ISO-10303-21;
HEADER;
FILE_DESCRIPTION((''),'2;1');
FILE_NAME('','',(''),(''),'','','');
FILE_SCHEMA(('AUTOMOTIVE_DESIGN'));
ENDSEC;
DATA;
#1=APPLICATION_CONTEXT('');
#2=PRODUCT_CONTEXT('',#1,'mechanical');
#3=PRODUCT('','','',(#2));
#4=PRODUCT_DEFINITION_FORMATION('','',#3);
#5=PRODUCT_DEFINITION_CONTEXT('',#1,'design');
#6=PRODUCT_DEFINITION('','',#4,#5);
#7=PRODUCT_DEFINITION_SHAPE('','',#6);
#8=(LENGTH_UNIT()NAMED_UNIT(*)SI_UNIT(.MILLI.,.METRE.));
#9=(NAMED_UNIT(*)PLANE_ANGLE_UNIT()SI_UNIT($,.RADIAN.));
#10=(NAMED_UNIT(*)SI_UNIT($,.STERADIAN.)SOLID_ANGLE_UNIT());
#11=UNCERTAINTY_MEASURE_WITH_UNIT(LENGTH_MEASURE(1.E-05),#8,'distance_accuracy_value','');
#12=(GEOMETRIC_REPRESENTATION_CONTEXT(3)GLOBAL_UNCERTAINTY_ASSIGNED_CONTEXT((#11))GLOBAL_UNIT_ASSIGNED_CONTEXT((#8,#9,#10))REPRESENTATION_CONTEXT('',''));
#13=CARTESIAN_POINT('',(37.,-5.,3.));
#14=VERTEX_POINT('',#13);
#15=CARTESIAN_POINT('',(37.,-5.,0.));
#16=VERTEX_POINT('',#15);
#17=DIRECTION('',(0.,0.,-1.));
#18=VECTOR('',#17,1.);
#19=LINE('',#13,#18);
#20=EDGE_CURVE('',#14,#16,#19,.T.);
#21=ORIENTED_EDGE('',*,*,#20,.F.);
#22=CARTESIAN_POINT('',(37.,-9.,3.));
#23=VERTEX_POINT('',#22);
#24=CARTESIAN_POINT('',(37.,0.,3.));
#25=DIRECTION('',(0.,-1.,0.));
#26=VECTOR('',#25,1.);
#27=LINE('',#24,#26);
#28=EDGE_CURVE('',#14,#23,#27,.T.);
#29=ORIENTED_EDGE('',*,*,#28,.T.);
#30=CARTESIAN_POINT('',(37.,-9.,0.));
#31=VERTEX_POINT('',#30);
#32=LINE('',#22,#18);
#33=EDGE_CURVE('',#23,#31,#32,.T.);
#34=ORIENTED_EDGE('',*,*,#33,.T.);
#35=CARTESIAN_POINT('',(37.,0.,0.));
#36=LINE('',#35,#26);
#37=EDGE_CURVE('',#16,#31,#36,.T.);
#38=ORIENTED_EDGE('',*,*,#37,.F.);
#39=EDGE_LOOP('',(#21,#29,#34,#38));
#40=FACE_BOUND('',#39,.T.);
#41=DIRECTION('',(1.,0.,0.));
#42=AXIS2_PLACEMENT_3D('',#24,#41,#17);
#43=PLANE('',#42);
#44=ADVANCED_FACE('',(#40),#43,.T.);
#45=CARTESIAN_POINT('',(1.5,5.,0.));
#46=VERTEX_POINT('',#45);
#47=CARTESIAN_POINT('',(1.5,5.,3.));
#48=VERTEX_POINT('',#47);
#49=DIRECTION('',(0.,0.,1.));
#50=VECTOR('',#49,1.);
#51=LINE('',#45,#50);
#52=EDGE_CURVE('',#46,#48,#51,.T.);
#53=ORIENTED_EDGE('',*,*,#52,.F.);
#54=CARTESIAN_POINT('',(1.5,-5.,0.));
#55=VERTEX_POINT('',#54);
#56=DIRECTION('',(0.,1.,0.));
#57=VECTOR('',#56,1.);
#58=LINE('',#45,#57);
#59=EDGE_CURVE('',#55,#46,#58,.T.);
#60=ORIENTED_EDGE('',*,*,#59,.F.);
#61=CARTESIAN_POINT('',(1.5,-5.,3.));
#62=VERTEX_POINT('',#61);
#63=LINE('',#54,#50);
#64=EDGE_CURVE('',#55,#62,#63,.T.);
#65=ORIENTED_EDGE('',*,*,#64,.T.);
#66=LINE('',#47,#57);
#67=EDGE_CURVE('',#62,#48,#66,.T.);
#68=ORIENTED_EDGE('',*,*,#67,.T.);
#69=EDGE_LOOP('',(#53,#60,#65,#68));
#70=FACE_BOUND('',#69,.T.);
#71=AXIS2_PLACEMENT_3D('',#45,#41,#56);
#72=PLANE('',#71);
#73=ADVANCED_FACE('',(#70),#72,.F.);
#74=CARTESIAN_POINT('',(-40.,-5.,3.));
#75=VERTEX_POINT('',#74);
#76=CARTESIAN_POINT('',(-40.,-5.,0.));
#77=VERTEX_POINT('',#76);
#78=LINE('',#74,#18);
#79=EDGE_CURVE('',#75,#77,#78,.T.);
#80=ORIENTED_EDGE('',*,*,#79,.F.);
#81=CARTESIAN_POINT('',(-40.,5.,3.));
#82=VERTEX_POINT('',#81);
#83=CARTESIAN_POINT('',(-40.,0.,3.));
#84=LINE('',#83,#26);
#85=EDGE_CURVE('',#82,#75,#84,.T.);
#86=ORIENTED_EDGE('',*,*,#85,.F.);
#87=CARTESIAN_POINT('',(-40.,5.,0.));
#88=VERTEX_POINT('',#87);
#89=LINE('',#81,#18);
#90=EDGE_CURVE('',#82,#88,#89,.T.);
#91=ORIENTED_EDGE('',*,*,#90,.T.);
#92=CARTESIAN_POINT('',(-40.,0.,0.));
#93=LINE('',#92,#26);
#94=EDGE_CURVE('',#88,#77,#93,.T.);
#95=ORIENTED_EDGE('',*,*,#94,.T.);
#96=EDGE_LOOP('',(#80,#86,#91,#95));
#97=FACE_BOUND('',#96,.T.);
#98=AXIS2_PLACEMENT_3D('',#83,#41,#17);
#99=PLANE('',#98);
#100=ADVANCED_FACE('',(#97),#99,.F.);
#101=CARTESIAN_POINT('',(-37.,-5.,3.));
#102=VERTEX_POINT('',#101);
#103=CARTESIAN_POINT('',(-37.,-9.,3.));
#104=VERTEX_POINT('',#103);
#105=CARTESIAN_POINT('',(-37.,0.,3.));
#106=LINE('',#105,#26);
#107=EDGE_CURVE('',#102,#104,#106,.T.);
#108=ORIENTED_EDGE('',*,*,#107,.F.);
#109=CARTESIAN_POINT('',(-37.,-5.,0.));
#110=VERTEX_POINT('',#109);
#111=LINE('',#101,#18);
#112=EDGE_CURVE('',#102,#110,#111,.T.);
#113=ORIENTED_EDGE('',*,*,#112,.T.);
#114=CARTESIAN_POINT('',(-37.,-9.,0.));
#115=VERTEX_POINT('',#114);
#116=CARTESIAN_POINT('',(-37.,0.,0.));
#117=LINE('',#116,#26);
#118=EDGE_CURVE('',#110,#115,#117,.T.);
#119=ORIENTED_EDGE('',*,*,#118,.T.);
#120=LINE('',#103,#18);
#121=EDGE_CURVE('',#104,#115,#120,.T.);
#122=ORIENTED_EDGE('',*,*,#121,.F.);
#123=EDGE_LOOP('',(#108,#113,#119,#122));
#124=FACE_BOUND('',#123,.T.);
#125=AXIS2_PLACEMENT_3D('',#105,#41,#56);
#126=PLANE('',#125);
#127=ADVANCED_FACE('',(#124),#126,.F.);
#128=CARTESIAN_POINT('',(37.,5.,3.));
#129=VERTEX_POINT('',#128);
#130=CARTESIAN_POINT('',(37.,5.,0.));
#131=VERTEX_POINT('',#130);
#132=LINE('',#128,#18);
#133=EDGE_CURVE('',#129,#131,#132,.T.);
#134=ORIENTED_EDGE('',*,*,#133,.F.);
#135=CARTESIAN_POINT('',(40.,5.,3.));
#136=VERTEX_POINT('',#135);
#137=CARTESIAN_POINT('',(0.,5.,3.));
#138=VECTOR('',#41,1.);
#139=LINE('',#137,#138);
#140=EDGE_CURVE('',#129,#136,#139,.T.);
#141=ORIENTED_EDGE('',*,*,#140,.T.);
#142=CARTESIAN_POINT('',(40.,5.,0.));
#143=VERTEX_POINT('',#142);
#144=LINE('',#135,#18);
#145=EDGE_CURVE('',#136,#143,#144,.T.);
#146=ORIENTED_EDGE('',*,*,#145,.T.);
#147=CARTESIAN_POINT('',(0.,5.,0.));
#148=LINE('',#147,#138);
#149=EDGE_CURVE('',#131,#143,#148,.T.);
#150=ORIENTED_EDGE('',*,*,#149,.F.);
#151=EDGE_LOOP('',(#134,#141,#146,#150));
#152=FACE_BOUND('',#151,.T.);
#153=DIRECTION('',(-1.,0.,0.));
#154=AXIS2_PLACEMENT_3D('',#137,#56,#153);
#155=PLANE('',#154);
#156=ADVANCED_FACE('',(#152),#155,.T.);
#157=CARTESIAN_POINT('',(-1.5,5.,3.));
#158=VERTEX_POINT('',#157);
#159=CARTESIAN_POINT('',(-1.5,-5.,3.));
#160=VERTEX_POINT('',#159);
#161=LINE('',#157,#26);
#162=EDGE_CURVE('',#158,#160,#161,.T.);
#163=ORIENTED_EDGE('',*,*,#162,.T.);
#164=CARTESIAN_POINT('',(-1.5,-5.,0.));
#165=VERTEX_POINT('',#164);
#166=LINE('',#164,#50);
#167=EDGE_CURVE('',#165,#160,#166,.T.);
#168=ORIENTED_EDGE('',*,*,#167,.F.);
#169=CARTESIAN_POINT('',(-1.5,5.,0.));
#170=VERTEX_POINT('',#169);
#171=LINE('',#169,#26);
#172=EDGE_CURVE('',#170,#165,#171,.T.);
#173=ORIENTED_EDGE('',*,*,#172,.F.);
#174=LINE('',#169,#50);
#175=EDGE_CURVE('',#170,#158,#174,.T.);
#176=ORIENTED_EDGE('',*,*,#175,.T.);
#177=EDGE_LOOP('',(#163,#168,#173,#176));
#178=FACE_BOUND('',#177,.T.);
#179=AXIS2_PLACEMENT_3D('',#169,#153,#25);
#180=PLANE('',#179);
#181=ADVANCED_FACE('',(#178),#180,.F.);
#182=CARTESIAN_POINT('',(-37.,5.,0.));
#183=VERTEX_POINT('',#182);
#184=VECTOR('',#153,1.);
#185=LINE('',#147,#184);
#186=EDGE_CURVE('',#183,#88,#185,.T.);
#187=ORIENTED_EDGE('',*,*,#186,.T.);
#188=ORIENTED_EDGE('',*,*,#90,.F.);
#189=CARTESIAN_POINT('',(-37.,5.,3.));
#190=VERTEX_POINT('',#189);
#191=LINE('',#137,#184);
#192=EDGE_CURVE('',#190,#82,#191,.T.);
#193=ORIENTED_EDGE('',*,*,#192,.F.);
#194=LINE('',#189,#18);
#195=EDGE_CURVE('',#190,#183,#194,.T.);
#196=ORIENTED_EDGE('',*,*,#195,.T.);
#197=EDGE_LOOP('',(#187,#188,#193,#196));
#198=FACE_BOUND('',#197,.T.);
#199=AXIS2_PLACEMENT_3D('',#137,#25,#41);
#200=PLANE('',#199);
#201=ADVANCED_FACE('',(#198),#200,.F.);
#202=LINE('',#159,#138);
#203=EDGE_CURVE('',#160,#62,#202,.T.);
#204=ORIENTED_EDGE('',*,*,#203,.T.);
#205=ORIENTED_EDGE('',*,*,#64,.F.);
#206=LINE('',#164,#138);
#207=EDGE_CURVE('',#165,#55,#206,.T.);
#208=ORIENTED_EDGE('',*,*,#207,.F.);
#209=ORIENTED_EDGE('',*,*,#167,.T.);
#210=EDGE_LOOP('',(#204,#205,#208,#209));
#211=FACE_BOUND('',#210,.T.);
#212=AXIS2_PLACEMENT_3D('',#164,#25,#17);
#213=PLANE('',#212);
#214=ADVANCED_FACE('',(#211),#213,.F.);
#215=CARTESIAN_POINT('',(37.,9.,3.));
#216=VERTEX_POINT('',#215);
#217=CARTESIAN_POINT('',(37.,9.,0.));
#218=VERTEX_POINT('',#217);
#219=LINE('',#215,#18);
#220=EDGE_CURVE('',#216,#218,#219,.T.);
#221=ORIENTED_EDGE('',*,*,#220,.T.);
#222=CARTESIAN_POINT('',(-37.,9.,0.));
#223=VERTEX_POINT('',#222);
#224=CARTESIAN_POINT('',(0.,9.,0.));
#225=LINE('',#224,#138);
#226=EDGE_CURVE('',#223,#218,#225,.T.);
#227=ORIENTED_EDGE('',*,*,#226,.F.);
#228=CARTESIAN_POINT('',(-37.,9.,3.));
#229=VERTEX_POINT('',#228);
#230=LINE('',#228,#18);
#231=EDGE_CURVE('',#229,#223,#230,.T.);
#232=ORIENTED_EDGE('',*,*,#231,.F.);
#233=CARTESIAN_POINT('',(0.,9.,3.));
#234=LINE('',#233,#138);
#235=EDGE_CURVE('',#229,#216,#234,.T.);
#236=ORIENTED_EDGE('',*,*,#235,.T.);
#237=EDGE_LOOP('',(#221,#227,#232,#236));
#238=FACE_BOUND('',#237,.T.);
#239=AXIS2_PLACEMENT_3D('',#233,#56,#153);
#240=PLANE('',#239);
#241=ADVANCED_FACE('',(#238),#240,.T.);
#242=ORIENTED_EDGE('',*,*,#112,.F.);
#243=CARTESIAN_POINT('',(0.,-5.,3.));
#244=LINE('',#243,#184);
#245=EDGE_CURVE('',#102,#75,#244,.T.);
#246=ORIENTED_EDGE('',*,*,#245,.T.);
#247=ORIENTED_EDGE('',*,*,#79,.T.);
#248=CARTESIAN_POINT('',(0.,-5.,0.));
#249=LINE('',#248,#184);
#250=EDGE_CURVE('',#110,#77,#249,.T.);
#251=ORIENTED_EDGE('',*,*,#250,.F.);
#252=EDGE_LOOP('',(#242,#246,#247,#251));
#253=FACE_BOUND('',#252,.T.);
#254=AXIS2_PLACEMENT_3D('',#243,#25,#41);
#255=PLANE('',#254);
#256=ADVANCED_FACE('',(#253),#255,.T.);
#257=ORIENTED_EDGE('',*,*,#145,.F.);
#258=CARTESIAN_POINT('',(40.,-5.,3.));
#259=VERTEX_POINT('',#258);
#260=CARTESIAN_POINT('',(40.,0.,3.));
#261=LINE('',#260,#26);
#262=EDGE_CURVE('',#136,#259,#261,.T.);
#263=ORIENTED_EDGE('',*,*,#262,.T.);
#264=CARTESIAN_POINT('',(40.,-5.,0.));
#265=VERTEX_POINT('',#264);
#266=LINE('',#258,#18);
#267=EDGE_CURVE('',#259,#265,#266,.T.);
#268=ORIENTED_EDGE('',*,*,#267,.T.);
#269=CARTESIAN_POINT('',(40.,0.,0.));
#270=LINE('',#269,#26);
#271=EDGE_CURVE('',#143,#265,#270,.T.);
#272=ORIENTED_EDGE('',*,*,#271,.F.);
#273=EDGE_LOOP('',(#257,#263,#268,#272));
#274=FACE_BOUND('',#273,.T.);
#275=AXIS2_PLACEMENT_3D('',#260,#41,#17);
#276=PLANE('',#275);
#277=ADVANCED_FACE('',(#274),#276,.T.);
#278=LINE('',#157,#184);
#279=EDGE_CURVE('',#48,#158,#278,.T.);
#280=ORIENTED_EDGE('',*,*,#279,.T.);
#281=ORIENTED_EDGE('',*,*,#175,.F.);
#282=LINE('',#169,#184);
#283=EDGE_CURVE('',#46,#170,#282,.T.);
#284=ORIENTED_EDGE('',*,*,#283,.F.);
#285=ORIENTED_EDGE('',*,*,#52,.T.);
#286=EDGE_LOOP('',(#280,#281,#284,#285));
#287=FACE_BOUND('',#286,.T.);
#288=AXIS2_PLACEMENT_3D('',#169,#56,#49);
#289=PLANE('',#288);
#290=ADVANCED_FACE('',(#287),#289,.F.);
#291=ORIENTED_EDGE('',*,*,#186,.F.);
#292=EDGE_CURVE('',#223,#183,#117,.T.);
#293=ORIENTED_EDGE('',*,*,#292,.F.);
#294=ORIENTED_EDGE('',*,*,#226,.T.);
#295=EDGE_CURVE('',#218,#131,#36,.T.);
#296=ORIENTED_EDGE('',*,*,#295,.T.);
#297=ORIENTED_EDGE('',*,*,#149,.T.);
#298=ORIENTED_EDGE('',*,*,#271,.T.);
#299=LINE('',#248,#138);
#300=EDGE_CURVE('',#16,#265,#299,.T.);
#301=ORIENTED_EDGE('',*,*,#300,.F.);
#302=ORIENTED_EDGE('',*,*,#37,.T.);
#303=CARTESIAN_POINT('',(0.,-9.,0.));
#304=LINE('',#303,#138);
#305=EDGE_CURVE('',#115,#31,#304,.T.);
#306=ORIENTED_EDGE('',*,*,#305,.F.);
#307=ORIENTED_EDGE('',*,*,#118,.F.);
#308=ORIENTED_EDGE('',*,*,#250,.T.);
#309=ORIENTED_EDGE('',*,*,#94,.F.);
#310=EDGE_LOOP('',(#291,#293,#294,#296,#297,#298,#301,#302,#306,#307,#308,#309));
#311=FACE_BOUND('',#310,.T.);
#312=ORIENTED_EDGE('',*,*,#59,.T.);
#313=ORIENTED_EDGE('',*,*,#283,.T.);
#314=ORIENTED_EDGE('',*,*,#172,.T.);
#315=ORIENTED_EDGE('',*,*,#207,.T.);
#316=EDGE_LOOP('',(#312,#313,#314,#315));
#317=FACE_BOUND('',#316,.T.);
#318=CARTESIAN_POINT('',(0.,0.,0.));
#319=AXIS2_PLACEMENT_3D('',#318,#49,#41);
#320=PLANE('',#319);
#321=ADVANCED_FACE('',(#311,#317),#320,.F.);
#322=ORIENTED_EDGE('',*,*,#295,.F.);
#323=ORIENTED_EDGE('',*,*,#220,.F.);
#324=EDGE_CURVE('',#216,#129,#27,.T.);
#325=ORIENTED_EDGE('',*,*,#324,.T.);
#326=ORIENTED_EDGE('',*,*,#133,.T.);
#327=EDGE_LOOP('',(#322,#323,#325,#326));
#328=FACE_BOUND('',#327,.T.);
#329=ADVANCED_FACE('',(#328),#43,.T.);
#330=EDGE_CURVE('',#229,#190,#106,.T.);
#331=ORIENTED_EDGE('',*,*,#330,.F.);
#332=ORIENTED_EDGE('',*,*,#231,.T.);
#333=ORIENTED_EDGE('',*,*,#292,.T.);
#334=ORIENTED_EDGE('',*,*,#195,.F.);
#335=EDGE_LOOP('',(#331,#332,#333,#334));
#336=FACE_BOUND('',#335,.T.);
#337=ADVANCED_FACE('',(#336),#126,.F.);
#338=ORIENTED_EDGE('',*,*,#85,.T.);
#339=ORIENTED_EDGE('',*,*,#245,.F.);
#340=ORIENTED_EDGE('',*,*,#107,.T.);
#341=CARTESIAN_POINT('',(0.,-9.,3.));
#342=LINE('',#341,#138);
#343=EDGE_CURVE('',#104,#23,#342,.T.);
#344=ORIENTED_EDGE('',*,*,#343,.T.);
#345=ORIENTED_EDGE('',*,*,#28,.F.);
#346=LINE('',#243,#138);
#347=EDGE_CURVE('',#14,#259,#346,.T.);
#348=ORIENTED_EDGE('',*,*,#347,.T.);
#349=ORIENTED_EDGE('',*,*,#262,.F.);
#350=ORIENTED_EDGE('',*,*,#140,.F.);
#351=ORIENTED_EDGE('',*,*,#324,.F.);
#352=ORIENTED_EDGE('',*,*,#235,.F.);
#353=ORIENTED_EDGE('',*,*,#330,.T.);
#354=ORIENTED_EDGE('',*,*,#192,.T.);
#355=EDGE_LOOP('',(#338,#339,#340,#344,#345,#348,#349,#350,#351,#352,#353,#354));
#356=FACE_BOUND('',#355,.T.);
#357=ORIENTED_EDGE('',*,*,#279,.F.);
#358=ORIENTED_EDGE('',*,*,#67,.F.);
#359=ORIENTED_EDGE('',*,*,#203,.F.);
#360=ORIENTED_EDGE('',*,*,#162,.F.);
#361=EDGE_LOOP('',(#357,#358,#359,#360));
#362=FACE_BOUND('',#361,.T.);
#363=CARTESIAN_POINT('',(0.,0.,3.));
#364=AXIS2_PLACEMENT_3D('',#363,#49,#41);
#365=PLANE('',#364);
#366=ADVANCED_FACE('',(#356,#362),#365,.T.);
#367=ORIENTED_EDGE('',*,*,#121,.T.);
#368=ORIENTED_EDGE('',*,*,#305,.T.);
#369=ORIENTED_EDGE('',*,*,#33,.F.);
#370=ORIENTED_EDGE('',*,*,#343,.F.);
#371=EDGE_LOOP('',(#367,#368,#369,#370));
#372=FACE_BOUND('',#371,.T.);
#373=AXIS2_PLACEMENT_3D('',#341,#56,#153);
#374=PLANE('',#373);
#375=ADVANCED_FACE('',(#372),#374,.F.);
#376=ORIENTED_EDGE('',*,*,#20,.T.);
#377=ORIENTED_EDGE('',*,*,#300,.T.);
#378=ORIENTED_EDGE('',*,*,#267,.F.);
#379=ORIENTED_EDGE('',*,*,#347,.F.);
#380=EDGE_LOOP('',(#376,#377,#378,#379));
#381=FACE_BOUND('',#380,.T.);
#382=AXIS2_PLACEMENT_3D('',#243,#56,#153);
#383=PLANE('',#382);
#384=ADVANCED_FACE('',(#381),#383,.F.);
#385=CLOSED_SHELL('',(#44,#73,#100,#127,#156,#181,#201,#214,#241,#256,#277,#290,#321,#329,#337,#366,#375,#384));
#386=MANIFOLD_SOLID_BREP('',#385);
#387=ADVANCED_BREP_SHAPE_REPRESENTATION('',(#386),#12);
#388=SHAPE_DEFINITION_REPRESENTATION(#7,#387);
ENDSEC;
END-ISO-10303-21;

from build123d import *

# Parameters (mm, degrees)
SKETCH_1_W          = 3
SKETCH_1_H          = 10
SKETCH_1_W_2        = 74
SKETCH_1_H_2        = 18
EXTRUDE_1_DEPTH     = 3
SKETCH_2_W          = 3
SKETCH_2_H          = 10
CUT_EXTRUDE_1_DEPTH = 3


with BuildPart() as part:
    # 草圖1 → 填料-伸長1 (new body)
    with BuildSketch(Plane.XY):
        with Locations((-38.5, 0)):
            Rectangle(SKETCH_1_W, SKETCH_1_H)
        Rectangle(SKETCH_1_W_2, SKETCH_1_H_2)
        with Locations((38.5, 0)):
            Rectangle(SKETCH_1_W, SKETCH_1_H)
    extrude(amount=EXTRUDE_1_DEPTH)

    # 草圖2 → 除料-伸長1 (cut)
    with BuildSketch(Plane.XY.offset(3)):
        Rectangle(SKETCH_2_W, SKETCH_2_H)
    extrude(amount=-CUT_EXTRUDE_1_DEPTH, mode=Mode.SUBTRACT)


solid = part.part
